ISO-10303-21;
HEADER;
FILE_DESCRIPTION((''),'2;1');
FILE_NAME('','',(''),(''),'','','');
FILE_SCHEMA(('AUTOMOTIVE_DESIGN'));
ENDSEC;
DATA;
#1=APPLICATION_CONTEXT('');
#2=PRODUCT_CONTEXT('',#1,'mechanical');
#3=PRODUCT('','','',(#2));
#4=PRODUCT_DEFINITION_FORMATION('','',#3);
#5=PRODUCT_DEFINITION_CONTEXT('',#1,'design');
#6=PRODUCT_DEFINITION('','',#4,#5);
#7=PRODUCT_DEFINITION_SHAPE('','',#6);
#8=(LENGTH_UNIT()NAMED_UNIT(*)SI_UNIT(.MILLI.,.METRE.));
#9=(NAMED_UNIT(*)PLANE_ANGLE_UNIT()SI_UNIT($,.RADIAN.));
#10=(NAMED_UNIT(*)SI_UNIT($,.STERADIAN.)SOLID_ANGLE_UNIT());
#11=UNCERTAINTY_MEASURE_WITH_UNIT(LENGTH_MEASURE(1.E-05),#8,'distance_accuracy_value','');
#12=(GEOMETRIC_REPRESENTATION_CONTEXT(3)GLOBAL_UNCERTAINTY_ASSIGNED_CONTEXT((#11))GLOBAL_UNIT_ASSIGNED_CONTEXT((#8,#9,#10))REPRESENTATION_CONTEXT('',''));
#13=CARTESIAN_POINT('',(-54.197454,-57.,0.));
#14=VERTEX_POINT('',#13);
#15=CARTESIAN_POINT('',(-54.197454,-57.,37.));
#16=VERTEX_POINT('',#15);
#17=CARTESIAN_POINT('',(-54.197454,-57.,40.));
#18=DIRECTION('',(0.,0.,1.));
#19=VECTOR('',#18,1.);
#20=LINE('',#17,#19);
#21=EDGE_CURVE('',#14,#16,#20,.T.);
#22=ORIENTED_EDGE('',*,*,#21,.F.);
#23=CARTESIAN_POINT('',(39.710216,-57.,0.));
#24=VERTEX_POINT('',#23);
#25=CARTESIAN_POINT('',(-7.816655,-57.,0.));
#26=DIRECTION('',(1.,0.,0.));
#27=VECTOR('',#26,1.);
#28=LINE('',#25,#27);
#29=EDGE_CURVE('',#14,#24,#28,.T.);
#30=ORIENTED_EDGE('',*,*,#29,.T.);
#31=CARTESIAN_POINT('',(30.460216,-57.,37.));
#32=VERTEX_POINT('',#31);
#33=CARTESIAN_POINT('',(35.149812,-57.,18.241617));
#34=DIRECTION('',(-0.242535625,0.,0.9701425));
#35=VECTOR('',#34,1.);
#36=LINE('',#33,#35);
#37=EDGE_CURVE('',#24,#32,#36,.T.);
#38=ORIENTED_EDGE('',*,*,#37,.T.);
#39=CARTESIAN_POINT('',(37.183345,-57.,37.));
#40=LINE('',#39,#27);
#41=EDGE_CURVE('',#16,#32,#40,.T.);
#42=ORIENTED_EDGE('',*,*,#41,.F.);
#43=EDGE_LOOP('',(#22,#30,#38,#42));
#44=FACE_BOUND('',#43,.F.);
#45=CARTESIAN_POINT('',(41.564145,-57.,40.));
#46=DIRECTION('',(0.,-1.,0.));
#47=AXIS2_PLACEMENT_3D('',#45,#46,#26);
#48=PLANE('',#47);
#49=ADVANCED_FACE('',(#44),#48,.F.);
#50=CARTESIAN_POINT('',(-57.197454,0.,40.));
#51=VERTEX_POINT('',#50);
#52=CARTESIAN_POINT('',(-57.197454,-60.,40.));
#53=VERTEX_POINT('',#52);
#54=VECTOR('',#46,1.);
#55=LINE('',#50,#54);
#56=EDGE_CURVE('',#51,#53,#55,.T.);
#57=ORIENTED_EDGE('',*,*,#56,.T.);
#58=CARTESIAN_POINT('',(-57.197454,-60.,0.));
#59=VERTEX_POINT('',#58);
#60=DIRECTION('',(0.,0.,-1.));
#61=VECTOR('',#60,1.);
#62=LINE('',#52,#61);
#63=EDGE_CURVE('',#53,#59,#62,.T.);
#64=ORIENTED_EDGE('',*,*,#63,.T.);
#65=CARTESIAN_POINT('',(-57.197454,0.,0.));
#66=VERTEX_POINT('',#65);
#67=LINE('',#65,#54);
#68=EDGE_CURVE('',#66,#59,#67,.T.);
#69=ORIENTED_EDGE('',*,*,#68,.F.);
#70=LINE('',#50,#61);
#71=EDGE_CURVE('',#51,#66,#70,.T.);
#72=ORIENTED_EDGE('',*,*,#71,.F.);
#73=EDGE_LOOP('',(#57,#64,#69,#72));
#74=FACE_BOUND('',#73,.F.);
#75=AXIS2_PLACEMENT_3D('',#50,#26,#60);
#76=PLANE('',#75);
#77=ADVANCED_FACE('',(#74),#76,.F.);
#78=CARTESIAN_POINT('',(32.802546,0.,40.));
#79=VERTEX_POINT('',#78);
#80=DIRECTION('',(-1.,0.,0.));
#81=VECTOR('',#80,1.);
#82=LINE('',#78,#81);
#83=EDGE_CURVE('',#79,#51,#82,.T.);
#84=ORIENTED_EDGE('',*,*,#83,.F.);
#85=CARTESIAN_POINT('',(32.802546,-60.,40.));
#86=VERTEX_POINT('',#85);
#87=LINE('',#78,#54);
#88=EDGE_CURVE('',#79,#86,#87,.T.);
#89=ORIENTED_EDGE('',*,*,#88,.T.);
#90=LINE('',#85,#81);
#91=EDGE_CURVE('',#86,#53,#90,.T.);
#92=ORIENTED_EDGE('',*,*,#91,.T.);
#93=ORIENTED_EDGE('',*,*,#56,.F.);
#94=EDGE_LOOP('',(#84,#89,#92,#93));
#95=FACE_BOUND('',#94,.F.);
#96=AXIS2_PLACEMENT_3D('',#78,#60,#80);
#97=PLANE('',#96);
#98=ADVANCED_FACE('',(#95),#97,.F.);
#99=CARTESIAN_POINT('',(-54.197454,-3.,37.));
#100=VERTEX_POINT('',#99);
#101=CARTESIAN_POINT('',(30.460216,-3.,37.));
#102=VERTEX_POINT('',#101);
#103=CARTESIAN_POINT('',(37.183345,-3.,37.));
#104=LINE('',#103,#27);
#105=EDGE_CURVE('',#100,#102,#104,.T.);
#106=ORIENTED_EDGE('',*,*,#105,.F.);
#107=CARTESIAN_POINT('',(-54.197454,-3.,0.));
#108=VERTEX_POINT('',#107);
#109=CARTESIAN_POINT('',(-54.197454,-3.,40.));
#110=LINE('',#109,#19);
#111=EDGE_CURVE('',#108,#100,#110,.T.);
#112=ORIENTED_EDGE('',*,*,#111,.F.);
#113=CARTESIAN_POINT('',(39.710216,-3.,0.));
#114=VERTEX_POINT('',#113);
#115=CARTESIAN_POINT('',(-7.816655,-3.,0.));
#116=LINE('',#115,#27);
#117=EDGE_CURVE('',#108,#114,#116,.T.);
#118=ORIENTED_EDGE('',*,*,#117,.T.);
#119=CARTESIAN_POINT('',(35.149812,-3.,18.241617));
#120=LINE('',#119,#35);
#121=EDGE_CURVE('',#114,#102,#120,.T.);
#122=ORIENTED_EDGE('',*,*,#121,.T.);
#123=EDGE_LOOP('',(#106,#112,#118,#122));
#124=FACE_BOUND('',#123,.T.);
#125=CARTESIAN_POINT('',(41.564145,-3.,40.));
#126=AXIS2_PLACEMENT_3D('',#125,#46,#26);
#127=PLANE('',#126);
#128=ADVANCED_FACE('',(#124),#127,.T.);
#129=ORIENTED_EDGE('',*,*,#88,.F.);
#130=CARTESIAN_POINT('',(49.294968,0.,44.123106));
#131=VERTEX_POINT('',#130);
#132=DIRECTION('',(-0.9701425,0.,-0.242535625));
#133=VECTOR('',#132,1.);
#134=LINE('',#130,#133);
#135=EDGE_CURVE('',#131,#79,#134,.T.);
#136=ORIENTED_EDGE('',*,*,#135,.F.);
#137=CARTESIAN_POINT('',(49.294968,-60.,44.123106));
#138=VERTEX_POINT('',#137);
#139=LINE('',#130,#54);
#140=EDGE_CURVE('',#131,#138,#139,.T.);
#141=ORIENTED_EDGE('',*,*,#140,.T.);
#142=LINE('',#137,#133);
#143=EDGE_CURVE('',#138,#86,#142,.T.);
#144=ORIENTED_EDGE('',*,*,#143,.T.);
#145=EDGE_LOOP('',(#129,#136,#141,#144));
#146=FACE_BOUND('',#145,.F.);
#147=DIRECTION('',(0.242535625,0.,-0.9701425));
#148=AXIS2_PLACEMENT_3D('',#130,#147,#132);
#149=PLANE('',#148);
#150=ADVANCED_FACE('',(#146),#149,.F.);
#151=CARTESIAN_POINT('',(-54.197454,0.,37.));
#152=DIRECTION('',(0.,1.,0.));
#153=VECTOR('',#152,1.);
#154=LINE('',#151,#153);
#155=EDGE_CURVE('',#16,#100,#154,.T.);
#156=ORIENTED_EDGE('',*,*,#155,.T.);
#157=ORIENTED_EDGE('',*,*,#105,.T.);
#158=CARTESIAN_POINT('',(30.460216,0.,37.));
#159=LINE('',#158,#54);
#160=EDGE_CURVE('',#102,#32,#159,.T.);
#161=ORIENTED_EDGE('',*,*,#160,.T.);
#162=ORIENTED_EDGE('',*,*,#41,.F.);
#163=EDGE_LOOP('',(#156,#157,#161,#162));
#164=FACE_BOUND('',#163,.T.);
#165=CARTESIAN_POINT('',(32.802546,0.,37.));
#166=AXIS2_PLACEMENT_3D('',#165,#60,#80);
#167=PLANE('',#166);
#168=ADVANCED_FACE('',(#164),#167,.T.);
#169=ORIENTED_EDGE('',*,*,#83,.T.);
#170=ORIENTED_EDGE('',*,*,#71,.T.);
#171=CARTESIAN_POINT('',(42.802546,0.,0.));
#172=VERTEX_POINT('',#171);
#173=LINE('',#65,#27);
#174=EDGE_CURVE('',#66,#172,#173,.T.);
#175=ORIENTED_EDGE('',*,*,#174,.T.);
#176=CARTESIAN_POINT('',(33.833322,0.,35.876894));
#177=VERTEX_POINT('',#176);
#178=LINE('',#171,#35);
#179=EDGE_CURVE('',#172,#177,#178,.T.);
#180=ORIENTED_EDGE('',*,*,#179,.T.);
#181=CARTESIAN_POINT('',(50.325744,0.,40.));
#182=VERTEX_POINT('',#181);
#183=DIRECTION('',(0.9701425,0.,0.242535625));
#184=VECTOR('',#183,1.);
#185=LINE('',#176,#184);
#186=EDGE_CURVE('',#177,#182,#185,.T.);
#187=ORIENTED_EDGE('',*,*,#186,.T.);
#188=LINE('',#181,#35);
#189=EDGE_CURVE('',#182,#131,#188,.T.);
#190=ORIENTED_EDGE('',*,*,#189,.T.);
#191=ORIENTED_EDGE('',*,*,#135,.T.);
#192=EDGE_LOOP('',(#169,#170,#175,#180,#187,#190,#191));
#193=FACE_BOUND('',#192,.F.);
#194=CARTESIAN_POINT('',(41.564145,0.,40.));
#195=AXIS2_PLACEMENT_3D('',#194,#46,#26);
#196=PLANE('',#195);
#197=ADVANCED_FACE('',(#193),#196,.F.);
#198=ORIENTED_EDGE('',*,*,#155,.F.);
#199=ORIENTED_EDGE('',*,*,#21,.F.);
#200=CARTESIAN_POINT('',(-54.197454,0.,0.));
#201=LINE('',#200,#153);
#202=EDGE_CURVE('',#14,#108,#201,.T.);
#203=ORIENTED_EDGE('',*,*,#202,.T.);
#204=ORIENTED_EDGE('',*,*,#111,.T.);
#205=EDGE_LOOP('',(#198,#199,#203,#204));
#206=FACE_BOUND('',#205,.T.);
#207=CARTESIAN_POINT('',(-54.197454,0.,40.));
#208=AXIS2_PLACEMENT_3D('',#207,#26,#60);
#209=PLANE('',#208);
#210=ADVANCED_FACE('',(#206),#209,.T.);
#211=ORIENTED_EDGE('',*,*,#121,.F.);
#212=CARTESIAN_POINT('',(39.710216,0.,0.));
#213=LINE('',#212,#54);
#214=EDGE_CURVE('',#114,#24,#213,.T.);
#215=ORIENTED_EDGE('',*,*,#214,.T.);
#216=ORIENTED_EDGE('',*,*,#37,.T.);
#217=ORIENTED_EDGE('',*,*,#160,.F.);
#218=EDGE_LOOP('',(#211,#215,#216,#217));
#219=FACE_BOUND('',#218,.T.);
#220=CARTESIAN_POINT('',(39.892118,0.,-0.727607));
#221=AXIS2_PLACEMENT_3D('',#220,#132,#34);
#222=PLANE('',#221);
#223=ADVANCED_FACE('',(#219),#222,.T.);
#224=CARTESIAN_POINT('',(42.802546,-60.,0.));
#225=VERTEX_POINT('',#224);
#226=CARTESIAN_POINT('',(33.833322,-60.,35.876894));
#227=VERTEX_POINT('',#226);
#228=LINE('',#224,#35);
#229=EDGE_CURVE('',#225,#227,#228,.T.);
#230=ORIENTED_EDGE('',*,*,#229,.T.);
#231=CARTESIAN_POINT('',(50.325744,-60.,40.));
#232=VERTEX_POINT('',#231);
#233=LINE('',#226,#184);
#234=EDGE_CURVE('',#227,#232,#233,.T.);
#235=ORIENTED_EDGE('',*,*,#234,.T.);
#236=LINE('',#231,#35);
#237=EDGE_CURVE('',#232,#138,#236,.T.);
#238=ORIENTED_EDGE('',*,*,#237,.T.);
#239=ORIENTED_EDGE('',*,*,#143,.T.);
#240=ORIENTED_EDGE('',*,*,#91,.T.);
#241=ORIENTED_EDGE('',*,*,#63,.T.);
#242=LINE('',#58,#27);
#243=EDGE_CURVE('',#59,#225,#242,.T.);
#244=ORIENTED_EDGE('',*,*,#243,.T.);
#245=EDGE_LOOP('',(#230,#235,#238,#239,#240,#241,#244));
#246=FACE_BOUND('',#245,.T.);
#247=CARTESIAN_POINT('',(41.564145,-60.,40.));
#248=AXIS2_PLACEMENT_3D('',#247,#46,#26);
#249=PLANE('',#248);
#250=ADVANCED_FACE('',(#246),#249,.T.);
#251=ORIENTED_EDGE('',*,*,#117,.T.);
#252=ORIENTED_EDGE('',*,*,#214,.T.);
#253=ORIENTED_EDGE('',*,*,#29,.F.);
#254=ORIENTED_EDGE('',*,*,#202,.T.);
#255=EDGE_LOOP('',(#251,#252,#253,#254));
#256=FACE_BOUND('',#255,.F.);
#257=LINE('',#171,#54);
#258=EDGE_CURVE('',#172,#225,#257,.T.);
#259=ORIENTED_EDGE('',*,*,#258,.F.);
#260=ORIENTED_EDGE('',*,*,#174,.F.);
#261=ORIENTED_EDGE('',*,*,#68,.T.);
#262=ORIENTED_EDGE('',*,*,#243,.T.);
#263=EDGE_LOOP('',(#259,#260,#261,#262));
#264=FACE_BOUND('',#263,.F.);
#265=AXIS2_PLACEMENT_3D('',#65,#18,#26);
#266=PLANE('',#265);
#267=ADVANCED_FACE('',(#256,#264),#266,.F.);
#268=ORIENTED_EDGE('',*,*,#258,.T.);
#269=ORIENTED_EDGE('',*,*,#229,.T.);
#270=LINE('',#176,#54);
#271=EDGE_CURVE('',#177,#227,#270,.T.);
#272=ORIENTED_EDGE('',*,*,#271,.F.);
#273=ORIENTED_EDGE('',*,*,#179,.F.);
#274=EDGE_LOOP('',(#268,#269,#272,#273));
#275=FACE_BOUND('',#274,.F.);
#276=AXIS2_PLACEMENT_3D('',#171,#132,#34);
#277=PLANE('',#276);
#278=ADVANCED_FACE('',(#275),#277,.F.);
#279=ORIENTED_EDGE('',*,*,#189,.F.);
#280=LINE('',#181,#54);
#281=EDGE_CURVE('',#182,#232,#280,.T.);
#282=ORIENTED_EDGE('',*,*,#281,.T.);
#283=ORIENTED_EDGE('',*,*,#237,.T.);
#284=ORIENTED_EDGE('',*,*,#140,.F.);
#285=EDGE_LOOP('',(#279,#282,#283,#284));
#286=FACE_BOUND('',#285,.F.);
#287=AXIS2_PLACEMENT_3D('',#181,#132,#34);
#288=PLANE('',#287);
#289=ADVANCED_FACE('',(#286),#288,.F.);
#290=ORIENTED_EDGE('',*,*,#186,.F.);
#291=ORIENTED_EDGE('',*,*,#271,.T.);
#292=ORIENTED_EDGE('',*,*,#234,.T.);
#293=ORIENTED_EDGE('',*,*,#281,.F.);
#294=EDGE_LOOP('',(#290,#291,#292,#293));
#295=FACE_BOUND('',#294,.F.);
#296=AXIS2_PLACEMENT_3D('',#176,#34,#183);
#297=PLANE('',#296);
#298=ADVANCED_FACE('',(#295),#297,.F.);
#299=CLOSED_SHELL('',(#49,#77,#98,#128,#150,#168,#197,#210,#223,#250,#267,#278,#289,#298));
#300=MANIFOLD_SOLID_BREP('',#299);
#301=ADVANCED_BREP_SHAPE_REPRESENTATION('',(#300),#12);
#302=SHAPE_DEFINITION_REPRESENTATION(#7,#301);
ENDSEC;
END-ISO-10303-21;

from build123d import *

# Parameters (mm, degrees)
F1_DEPTH = 60
F2_DEPTH = 60
F3_T     = -3


with BuildPart() as f1:
    # F0 (on Front) → F1 (new body)
    with BuildSketch(Plane.XZ):
        Polygon((-57.1974544724, 40), (-57.1974544724, 0), (42.8025455276, 0), (33.833321934, 35.8768943744), (32.8025455276, 40), align=None)
    extrude(amount=F1_DEPTH)

    # F0 (on Front) → F2 (join)
    with BuildSketch(Plane.XZ):
        Polygon((32.8025455276, 40), (33.833321934, 35.8768943744), (50.3257444365, 40), (49.2949680301, 44.1231056256), align=None)
    extrude(amount=F2_DEPTH)

    # F3
    f3_openings = [f1.faces().sort_by_distance(p)[0] for p in [
        (-7.197454, -30, 0),
    ]]
    offset(amount=F3_T, openings=f3_openings, kind=Kind.INTERSECTION)


solid = f1.part
